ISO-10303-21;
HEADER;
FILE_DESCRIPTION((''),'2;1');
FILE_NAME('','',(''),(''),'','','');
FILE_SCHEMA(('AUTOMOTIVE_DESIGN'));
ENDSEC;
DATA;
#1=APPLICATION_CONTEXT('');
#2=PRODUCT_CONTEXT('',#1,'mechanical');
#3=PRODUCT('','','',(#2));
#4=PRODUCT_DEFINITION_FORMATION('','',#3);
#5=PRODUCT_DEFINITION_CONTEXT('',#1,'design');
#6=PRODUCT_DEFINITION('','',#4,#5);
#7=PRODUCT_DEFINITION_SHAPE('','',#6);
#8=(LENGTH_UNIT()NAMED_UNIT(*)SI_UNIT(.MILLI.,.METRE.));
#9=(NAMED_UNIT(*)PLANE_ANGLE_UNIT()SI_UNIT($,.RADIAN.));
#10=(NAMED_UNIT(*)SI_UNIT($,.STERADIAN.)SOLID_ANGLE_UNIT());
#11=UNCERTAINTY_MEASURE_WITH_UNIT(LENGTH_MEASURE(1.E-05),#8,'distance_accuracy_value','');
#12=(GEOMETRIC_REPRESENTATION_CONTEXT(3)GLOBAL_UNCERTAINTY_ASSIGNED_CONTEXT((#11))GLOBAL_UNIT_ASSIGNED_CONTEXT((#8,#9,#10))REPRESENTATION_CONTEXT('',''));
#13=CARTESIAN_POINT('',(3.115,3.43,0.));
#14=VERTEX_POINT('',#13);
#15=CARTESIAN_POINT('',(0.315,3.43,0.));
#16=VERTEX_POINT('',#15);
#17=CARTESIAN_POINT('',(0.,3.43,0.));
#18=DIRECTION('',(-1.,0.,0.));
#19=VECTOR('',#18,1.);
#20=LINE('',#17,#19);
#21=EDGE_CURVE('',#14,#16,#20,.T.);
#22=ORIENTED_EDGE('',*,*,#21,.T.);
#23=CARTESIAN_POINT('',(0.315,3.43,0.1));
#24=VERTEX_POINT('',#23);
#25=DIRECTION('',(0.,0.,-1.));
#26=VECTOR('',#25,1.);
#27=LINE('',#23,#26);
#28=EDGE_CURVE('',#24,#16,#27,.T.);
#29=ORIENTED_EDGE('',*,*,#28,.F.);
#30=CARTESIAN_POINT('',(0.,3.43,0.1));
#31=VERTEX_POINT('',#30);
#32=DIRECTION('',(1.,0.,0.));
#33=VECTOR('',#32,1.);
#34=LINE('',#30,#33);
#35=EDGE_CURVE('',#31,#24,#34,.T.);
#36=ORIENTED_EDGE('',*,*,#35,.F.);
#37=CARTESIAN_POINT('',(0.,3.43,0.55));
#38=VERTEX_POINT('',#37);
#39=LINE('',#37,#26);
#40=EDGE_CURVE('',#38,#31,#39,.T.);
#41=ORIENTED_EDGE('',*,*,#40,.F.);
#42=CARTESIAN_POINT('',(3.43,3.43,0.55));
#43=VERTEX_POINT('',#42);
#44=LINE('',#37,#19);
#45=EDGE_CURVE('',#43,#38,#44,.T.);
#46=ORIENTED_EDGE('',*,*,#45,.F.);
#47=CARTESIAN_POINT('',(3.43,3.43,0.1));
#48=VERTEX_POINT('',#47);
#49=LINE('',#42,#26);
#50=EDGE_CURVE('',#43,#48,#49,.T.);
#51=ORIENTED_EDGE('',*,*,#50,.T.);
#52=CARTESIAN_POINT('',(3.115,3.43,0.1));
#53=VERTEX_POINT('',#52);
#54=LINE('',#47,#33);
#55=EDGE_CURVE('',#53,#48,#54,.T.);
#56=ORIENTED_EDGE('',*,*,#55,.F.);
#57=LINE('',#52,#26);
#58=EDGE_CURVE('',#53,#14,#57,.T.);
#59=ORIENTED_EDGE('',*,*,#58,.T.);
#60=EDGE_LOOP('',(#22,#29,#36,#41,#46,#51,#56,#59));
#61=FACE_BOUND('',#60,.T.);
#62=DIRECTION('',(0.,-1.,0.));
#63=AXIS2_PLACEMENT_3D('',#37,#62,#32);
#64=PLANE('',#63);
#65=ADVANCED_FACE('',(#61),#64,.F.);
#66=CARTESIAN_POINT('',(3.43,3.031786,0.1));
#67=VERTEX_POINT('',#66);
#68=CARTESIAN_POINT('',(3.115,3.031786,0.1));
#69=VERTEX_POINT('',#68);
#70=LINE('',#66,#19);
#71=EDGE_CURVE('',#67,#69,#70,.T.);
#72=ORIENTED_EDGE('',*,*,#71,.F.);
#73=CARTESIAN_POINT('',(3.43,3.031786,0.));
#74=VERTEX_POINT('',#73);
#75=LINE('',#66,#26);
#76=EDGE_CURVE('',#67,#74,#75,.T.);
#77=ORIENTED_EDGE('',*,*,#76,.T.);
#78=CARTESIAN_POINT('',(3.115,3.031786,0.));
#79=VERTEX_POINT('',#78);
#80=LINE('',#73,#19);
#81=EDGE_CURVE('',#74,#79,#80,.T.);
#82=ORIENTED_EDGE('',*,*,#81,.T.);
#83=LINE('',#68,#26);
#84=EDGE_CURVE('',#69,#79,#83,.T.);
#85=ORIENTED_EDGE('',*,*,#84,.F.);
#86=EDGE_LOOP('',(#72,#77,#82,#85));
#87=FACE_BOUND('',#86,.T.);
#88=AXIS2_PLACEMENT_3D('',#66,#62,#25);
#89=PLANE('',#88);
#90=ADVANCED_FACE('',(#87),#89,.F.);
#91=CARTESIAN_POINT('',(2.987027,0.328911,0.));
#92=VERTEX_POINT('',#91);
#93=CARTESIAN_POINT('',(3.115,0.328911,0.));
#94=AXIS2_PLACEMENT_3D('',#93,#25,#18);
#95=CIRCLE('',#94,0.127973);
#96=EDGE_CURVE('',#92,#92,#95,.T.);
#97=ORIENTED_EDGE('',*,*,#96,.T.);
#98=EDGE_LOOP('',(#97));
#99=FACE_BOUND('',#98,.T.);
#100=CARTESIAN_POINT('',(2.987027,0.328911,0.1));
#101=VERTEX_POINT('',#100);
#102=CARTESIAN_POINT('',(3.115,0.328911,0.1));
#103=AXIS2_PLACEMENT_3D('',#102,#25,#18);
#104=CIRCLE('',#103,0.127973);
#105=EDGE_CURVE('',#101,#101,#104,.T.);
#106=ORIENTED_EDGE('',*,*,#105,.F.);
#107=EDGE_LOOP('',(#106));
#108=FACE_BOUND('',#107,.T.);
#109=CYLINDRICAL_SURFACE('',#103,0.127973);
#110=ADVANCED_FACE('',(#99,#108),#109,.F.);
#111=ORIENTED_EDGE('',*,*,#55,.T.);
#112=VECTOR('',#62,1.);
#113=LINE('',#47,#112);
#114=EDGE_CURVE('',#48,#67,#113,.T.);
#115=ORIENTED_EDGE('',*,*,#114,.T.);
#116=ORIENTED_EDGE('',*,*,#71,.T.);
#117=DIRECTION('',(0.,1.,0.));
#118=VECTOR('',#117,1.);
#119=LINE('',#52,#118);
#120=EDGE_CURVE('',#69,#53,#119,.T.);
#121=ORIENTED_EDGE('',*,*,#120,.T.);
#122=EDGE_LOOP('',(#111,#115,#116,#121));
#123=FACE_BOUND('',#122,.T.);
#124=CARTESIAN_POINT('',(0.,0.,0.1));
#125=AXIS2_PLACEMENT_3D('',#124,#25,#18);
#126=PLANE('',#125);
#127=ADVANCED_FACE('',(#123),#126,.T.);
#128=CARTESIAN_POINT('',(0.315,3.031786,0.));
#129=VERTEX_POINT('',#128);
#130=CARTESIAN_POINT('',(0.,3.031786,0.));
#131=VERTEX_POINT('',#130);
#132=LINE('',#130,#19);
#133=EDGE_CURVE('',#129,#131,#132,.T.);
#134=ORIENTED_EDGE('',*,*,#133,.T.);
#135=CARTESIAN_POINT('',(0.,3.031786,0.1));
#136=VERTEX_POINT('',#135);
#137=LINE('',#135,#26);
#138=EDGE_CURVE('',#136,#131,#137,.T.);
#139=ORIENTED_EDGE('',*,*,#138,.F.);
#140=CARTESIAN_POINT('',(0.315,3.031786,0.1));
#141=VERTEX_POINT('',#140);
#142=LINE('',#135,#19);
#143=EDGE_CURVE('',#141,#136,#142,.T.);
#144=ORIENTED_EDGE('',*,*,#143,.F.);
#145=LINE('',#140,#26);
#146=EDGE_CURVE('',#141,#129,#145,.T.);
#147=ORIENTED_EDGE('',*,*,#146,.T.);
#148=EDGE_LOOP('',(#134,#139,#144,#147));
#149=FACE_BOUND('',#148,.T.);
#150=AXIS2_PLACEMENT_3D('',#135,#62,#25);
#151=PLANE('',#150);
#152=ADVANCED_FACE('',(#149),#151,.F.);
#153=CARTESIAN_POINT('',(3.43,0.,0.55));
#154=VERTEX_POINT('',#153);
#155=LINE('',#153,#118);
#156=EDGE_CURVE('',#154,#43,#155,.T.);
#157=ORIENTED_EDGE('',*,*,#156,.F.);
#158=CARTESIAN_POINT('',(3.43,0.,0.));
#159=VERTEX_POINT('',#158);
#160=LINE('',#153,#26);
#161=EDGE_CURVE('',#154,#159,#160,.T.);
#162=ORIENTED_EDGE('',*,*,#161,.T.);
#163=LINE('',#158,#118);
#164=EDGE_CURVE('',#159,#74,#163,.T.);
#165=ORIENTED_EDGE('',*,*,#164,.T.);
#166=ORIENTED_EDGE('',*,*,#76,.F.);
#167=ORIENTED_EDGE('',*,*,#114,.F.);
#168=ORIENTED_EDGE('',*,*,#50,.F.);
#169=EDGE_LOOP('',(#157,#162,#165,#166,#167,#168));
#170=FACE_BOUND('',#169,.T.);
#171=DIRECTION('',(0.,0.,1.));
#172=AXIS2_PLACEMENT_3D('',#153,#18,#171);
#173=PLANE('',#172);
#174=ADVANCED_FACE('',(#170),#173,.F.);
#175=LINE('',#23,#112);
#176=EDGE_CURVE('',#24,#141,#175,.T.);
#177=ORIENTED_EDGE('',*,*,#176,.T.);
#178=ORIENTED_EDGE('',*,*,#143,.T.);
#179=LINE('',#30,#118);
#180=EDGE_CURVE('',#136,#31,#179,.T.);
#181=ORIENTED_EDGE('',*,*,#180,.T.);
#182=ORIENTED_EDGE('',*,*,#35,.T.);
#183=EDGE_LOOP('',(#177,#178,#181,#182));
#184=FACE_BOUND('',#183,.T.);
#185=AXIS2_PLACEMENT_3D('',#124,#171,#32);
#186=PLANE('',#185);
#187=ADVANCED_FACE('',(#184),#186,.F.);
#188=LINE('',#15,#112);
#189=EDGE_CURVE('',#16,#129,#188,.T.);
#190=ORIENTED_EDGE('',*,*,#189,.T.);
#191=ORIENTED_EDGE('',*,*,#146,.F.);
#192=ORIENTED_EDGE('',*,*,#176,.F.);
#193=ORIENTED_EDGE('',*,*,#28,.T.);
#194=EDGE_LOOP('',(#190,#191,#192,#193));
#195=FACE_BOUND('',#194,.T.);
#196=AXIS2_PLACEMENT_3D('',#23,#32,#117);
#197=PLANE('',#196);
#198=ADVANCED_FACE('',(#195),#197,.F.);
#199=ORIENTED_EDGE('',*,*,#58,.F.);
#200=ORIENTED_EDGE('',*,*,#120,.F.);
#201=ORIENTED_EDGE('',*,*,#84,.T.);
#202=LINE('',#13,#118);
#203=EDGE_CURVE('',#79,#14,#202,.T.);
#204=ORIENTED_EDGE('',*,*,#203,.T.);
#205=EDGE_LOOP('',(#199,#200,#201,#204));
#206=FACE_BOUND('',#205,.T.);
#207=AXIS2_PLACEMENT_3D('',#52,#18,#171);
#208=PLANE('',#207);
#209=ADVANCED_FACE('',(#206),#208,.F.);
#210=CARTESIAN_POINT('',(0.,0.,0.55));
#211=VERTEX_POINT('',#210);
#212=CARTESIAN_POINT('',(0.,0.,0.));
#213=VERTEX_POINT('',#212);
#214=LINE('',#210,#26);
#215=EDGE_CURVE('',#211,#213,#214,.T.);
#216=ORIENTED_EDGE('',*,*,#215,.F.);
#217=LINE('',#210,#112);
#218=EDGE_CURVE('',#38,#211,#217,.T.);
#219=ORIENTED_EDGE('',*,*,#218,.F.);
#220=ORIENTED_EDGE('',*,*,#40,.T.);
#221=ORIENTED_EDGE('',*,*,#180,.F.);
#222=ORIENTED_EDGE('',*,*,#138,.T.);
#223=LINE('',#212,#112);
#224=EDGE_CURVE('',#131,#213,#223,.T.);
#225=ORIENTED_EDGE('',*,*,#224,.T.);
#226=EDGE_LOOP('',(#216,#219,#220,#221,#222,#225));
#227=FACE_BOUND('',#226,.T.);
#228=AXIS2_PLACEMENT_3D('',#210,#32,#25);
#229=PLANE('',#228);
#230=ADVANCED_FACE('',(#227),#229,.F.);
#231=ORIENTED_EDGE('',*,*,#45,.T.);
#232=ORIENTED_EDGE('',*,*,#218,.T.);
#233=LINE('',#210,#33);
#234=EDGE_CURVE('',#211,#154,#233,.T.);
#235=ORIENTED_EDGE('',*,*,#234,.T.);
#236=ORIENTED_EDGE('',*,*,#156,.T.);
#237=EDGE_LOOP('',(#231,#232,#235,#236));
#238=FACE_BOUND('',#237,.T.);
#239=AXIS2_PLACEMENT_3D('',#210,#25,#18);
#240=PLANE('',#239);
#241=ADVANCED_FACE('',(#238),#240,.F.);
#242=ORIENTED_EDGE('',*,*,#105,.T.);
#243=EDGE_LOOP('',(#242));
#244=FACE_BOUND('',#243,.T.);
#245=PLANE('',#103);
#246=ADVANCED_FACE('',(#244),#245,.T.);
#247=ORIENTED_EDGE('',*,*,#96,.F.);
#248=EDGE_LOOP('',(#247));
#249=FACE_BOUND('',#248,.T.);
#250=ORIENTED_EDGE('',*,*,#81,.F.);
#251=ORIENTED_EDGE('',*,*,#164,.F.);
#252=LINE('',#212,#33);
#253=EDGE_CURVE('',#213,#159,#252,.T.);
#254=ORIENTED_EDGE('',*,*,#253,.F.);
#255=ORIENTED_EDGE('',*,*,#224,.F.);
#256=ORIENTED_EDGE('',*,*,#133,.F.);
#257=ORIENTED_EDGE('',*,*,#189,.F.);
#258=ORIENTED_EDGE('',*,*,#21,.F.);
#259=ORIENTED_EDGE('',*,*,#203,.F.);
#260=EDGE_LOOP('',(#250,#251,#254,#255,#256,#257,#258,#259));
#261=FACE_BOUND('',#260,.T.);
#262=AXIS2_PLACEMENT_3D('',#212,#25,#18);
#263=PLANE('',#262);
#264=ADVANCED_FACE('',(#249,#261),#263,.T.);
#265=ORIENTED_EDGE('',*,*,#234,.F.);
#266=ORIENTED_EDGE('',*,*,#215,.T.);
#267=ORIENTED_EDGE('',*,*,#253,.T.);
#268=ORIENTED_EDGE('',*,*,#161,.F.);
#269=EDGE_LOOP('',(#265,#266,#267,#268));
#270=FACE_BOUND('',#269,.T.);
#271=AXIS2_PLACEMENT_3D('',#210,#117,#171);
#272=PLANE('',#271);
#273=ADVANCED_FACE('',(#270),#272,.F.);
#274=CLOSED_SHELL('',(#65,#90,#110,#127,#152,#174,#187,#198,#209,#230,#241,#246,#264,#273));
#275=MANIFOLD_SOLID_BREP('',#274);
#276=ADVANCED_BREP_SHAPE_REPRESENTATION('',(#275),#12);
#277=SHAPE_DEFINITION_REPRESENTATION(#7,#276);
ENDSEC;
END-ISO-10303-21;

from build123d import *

# Parameters (mm, degrees)
SKETCH1_W           = 3.43
SKETCH1_H           = 3.43
BOSS_EXTRUDE1_DEPTH = 0.55
SKETCH3_R           = 0.127973113
SKETCH3_W           = 0.315
SKETCH3_H           = 0.398213576
CUT_EXTRUDE1_DEPTH  = 0.1


with BuildPart() as part:
    # Sketch1 → Boss-Extrude1 (new body)
    with BuildSketch(Plane.XY):
        with Locations((1.715, 1.715)):
            Rectangle(SKETCH1_W, SKETCH1_H)
    extrude(amount=BOSS_EXTRUDE1_DEPTH)

    # Sketch3 → Cut-Extrude1 (cut)
    with BuildSketch(Plane(origin=(0, 0, 0), x_dir=(-1, 0, 0), z_dir=(0, 0, -1))):
        with Locations((-3.115, 0.328910616)):
            Circle(SKETCH3_R)
        with Locations((-3.2725, 3.230893212)):
            Rectangle(SKETCH3_W, SKETCH3_H)
        with Locations((-0.1575, 3.230893212)):
            Rectangle(SKETCH3_W, SKETCH3_H)
    extrude(amount=-CUT_EXTRUDE1_DEPTH, mode=Mode.SUBTRACT)


solid = part.part
